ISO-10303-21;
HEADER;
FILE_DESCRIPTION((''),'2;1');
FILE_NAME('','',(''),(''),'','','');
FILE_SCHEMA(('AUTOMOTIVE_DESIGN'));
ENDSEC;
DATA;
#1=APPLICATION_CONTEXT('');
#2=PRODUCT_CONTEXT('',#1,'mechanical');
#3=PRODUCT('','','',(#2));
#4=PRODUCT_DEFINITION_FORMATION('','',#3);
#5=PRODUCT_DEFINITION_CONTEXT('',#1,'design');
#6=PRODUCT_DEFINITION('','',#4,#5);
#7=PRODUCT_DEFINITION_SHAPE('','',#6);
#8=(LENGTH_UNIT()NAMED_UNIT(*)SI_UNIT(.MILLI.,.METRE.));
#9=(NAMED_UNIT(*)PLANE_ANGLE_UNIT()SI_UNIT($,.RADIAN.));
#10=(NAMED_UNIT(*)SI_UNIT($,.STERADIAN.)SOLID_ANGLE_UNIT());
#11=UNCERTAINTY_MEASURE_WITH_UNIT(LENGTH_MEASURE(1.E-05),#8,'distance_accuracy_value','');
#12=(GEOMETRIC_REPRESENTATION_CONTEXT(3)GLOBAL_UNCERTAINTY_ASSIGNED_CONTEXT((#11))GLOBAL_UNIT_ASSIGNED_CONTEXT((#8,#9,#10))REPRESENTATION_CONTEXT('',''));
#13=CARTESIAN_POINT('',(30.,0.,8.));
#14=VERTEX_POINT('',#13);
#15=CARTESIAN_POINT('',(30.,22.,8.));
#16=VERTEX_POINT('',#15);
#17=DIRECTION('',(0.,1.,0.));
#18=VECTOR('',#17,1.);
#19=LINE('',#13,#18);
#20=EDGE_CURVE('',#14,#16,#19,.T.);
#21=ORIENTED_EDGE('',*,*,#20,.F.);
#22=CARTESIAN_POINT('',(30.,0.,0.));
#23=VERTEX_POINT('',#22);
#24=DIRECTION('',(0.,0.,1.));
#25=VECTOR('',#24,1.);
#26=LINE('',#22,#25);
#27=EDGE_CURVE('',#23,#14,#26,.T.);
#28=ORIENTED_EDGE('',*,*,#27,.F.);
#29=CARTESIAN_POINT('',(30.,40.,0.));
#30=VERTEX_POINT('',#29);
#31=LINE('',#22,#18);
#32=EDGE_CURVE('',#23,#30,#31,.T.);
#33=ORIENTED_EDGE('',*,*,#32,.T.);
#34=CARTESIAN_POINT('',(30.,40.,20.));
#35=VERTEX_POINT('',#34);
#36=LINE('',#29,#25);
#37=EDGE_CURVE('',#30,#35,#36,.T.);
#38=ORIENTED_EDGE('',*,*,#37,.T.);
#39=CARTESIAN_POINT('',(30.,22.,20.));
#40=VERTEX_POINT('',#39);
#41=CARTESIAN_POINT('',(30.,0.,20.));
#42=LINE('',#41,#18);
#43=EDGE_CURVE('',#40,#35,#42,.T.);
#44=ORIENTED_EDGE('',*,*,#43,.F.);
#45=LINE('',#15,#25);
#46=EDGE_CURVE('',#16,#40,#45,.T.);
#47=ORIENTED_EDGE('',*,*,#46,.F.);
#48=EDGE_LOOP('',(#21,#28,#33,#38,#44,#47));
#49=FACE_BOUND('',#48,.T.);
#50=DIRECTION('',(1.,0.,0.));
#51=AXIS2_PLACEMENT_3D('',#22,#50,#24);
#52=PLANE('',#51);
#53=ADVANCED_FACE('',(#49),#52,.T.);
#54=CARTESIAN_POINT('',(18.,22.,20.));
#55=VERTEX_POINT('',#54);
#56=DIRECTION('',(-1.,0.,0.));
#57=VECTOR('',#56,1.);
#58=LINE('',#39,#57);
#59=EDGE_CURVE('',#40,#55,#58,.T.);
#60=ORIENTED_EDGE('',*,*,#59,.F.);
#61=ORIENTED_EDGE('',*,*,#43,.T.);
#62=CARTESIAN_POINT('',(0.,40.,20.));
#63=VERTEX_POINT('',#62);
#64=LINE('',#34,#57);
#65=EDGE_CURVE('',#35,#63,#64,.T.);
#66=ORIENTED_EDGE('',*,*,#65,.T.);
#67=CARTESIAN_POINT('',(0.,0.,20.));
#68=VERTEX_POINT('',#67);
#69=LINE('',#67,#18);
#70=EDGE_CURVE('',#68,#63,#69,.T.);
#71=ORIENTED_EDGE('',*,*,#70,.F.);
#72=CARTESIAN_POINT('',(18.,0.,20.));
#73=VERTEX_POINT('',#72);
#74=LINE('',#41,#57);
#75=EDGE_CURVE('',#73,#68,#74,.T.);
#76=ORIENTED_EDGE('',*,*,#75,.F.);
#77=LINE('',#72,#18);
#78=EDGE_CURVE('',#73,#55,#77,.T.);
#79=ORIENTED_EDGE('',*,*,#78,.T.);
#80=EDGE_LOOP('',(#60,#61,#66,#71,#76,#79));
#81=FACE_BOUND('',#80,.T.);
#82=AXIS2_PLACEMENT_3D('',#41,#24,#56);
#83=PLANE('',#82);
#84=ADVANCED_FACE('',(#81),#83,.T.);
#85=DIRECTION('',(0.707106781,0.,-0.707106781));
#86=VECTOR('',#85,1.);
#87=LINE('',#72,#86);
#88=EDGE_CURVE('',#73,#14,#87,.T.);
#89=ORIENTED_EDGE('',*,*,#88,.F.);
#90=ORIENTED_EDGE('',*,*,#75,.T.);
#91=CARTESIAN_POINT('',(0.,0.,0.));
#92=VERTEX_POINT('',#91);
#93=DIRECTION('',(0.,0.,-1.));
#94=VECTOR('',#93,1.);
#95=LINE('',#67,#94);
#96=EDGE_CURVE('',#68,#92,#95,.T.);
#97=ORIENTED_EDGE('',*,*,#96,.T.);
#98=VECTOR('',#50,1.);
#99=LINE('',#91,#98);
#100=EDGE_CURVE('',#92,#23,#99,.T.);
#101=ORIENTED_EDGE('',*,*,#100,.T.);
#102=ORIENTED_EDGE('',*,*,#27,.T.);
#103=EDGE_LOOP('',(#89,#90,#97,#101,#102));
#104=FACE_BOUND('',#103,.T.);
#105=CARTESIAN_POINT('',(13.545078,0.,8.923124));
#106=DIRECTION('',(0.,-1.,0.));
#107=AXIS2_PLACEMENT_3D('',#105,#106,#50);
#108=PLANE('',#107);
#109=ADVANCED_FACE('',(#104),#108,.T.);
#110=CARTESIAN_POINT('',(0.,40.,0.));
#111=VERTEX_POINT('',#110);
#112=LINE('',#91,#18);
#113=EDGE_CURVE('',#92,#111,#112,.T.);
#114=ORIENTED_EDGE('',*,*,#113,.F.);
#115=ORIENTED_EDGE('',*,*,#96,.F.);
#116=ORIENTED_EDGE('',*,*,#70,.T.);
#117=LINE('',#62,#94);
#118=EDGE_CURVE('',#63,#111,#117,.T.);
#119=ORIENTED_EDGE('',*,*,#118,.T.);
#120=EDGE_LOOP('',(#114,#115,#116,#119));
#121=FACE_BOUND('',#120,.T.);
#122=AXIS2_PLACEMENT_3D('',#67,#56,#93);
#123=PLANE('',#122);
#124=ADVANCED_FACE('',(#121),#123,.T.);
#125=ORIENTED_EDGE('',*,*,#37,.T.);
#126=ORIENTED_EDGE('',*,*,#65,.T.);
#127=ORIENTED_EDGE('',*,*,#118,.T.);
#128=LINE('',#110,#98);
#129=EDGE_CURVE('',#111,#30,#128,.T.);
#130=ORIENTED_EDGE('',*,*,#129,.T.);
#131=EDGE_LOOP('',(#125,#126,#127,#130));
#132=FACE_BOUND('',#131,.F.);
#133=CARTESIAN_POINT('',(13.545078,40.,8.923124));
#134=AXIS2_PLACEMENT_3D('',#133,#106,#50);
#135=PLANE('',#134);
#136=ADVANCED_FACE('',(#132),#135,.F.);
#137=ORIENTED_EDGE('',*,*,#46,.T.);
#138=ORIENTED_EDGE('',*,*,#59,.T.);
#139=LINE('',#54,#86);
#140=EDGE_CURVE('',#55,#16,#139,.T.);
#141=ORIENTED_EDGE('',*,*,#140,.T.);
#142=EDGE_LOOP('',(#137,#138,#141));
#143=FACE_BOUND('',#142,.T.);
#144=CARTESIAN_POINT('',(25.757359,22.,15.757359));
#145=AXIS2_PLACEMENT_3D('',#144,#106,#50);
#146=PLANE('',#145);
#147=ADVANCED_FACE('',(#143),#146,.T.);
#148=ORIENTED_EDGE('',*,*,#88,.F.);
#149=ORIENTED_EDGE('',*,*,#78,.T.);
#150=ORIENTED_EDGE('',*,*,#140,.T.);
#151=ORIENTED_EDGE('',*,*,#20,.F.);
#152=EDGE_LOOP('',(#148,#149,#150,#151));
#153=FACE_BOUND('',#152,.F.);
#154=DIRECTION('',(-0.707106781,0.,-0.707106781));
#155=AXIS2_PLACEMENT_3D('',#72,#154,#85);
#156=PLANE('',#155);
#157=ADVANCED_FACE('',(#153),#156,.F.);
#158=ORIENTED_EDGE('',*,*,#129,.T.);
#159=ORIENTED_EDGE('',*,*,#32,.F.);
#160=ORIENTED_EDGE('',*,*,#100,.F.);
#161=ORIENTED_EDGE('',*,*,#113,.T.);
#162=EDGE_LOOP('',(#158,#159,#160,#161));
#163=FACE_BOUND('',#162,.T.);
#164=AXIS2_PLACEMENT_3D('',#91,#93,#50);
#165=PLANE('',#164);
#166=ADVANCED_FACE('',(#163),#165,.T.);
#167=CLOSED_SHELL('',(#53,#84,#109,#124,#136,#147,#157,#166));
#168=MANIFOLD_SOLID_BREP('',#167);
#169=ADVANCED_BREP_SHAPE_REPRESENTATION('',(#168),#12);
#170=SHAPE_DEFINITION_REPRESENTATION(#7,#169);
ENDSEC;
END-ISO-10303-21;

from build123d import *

# Parameters (mm, degrees)
F1_DEPTH  = 40
F1_FACE_W = 30
F1_FACE_H = 20
F3_DEPTH  = 22


with BuildPart() as f1:
    # F0 (on Front) → F1 (new body)
    with BuildSketch(Plane.XZ):
        Polygon((0, 20), (0, 0), (30, 0), (30, 8), (18, 20), align=None)
        Polygon((18, 20), (30, 8), (30, 20), align=None)
    extrude(amount=-F1_DEPTH)

    # F2 (on Front) + F1_face (on face) → F3 (cut)
    with BuildSketch(Plane.XZ):
        Polygon((30, 20), (18, 20), (30, 8), align=None)
    with BuildSketch(Plane(origin=(15, 40, 10), x_dir=(1, 0, 0), z_dir=(0, 1, 0))):
        Rectangle(F1_FACE_W, F1_FACE_H)
    extrude(amount=-F3_DEPTH, dir=(0, -1, 0), mode=Mode.SUBTRACT)


solid = f1.part
